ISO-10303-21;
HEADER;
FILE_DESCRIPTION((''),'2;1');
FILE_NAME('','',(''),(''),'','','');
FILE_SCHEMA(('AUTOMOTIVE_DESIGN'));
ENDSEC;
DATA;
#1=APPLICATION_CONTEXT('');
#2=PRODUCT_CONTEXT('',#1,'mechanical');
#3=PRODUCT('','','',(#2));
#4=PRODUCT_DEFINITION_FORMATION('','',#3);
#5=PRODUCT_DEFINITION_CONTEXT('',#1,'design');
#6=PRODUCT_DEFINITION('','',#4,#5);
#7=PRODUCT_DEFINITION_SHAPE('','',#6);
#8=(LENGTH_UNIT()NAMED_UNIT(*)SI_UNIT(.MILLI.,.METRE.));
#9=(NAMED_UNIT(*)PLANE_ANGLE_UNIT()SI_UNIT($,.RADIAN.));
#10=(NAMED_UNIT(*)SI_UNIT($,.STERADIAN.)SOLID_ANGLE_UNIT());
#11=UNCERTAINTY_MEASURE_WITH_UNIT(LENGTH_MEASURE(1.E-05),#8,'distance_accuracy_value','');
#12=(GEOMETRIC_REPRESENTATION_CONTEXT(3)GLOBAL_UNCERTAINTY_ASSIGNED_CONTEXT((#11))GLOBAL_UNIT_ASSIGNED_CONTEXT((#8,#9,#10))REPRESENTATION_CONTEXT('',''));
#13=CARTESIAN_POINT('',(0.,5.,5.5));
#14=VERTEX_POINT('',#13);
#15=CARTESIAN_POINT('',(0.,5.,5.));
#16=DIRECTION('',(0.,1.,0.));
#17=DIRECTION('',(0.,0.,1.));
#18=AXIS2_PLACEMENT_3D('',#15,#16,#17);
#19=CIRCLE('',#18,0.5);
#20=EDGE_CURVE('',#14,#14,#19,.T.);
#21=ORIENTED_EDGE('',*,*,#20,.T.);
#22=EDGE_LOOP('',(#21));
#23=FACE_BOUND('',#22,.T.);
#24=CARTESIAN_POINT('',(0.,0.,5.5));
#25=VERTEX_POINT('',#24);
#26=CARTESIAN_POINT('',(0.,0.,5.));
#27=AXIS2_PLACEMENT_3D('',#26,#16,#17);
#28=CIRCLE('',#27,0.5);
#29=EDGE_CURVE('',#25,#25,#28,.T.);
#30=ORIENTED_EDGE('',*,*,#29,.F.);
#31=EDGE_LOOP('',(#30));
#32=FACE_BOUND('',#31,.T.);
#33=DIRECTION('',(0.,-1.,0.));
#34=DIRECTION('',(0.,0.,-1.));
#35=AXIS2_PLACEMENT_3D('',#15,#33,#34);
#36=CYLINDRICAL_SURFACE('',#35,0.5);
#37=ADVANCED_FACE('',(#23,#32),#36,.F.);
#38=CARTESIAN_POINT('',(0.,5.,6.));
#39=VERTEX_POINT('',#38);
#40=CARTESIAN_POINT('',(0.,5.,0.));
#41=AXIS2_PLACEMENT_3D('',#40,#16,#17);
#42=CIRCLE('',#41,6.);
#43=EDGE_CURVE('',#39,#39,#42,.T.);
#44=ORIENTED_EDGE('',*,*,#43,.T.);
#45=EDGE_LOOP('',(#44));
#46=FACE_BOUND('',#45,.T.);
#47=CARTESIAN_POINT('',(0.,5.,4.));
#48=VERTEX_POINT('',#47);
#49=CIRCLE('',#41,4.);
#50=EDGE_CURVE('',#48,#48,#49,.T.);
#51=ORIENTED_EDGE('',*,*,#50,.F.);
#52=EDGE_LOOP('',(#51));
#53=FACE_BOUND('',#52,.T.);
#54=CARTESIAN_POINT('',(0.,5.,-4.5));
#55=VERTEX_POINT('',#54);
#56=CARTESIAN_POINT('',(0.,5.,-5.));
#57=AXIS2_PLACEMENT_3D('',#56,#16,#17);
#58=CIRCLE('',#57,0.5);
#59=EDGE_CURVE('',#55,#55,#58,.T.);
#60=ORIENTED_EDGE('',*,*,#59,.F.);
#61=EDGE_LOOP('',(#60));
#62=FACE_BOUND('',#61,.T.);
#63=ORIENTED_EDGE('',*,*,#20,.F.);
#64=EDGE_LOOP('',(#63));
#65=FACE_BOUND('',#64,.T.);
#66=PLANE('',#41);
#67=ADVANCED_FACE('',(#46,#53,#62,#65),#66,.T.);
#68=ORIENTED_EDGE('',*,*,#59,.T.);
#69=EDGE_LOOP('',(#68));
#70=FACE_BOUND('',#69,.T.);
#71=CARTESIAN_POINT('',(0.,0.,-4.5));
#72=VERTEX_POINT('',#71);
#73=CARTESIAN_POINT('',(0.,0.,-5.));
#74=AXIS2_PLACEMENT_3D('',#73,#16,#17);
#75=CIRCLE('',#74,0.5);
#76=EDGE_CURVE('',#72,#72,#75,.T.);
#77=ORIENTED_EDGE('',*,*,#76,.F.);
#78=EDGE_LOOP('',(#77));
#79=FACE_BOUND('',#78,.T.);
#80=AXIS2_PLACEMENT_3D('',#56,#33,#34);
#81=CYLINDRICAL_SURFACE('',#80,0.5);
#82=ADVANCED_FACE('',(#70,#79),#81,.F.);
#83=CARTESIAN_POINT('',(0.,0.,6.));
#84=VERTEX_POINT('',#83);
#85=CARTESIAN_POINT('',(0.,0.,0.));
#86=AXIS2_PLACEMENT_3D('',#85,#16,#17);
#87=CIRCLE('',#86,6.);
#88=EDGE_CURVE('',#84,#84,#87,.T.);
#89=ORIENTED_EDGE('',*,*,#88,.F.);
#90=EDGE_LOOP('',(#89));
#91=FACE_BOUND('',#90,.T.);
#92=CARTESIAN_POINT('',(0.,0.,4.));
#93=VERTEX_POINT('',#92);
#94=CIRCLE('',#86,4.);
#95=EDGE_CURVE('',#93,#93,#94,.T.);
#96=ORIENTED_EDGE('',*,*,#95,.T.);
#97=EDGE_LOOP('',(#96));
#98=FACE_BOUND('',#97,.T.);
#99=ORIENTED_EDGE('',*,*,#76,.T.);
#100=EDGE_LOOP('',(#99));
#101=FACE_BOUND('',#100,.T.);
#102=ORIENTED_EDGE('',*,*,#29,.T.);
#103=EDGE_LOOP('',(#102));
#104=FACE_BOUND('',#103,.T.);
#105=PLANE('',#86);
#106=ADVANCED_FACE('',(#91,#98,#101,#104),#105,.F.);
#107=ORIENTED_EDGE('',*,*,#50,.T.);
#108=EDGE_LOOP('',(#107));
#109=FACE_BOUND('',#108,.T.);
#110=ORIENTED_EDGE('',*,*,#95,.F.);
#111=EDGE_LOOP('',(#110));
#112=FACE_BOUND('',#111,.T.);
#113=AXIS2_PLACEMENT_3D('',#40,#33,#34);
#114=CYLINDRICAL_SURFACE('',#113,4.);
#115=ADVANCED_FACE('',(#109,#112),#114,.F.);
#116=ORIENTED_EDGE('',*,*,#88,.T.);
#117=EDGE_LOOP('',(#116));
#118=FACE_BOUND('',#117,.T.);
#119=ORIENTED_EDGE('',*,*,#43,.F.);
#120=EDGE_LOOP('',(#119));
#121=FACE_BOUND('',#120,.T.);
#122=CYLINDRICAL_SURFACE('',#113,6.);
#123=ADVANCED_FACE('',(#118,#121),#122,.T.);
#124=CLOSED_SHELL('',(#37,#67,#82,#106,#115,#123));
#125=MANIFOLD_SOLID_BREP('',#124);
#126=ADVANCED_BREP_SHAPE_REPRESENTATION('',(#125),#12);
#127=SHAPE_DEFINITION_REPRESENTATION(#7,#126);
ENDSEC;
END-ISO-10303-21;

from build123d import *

# Parameters (mm, degrees)
SKETCH1_R           = 6
SKETCH1_R_2         = 4
SKETCH1_R_3         = 0.5
BOSS_EXTRUDE1_DEPTH = 5


with BuildPart() as part:
    # Sketch1 → Boss-Extrude1 (new body)
    with BuildSketch(Plane(origin=(0, 0, 0), x_dir=(1, 0, 0), z_dir=(0, 1, 0))):
        with Locations(Location((0, 0, 0), (0, 0, 270))):
            Circle(SKETCH1_R)
        with Locations(Location((0, 0, 0), (0, 0, 270))):
            Circle(SKETCH1_R_2, mode=Mode.SUBTRACT)
        with Locations(Location((0, 5, 0), (0, 0, 270))):
            Circle(SKETCH1_R_3, mode=Mode.SUBTRACT)
        with Locations(Location((0, -5, 0), (0, 0, 270))):
            Circle(SKETCH1_R_3, mode=Mode.SUBTRACT)
    extrude(amount=BOSS_EXTRUDE1_DEPTH)


solid = part.part
